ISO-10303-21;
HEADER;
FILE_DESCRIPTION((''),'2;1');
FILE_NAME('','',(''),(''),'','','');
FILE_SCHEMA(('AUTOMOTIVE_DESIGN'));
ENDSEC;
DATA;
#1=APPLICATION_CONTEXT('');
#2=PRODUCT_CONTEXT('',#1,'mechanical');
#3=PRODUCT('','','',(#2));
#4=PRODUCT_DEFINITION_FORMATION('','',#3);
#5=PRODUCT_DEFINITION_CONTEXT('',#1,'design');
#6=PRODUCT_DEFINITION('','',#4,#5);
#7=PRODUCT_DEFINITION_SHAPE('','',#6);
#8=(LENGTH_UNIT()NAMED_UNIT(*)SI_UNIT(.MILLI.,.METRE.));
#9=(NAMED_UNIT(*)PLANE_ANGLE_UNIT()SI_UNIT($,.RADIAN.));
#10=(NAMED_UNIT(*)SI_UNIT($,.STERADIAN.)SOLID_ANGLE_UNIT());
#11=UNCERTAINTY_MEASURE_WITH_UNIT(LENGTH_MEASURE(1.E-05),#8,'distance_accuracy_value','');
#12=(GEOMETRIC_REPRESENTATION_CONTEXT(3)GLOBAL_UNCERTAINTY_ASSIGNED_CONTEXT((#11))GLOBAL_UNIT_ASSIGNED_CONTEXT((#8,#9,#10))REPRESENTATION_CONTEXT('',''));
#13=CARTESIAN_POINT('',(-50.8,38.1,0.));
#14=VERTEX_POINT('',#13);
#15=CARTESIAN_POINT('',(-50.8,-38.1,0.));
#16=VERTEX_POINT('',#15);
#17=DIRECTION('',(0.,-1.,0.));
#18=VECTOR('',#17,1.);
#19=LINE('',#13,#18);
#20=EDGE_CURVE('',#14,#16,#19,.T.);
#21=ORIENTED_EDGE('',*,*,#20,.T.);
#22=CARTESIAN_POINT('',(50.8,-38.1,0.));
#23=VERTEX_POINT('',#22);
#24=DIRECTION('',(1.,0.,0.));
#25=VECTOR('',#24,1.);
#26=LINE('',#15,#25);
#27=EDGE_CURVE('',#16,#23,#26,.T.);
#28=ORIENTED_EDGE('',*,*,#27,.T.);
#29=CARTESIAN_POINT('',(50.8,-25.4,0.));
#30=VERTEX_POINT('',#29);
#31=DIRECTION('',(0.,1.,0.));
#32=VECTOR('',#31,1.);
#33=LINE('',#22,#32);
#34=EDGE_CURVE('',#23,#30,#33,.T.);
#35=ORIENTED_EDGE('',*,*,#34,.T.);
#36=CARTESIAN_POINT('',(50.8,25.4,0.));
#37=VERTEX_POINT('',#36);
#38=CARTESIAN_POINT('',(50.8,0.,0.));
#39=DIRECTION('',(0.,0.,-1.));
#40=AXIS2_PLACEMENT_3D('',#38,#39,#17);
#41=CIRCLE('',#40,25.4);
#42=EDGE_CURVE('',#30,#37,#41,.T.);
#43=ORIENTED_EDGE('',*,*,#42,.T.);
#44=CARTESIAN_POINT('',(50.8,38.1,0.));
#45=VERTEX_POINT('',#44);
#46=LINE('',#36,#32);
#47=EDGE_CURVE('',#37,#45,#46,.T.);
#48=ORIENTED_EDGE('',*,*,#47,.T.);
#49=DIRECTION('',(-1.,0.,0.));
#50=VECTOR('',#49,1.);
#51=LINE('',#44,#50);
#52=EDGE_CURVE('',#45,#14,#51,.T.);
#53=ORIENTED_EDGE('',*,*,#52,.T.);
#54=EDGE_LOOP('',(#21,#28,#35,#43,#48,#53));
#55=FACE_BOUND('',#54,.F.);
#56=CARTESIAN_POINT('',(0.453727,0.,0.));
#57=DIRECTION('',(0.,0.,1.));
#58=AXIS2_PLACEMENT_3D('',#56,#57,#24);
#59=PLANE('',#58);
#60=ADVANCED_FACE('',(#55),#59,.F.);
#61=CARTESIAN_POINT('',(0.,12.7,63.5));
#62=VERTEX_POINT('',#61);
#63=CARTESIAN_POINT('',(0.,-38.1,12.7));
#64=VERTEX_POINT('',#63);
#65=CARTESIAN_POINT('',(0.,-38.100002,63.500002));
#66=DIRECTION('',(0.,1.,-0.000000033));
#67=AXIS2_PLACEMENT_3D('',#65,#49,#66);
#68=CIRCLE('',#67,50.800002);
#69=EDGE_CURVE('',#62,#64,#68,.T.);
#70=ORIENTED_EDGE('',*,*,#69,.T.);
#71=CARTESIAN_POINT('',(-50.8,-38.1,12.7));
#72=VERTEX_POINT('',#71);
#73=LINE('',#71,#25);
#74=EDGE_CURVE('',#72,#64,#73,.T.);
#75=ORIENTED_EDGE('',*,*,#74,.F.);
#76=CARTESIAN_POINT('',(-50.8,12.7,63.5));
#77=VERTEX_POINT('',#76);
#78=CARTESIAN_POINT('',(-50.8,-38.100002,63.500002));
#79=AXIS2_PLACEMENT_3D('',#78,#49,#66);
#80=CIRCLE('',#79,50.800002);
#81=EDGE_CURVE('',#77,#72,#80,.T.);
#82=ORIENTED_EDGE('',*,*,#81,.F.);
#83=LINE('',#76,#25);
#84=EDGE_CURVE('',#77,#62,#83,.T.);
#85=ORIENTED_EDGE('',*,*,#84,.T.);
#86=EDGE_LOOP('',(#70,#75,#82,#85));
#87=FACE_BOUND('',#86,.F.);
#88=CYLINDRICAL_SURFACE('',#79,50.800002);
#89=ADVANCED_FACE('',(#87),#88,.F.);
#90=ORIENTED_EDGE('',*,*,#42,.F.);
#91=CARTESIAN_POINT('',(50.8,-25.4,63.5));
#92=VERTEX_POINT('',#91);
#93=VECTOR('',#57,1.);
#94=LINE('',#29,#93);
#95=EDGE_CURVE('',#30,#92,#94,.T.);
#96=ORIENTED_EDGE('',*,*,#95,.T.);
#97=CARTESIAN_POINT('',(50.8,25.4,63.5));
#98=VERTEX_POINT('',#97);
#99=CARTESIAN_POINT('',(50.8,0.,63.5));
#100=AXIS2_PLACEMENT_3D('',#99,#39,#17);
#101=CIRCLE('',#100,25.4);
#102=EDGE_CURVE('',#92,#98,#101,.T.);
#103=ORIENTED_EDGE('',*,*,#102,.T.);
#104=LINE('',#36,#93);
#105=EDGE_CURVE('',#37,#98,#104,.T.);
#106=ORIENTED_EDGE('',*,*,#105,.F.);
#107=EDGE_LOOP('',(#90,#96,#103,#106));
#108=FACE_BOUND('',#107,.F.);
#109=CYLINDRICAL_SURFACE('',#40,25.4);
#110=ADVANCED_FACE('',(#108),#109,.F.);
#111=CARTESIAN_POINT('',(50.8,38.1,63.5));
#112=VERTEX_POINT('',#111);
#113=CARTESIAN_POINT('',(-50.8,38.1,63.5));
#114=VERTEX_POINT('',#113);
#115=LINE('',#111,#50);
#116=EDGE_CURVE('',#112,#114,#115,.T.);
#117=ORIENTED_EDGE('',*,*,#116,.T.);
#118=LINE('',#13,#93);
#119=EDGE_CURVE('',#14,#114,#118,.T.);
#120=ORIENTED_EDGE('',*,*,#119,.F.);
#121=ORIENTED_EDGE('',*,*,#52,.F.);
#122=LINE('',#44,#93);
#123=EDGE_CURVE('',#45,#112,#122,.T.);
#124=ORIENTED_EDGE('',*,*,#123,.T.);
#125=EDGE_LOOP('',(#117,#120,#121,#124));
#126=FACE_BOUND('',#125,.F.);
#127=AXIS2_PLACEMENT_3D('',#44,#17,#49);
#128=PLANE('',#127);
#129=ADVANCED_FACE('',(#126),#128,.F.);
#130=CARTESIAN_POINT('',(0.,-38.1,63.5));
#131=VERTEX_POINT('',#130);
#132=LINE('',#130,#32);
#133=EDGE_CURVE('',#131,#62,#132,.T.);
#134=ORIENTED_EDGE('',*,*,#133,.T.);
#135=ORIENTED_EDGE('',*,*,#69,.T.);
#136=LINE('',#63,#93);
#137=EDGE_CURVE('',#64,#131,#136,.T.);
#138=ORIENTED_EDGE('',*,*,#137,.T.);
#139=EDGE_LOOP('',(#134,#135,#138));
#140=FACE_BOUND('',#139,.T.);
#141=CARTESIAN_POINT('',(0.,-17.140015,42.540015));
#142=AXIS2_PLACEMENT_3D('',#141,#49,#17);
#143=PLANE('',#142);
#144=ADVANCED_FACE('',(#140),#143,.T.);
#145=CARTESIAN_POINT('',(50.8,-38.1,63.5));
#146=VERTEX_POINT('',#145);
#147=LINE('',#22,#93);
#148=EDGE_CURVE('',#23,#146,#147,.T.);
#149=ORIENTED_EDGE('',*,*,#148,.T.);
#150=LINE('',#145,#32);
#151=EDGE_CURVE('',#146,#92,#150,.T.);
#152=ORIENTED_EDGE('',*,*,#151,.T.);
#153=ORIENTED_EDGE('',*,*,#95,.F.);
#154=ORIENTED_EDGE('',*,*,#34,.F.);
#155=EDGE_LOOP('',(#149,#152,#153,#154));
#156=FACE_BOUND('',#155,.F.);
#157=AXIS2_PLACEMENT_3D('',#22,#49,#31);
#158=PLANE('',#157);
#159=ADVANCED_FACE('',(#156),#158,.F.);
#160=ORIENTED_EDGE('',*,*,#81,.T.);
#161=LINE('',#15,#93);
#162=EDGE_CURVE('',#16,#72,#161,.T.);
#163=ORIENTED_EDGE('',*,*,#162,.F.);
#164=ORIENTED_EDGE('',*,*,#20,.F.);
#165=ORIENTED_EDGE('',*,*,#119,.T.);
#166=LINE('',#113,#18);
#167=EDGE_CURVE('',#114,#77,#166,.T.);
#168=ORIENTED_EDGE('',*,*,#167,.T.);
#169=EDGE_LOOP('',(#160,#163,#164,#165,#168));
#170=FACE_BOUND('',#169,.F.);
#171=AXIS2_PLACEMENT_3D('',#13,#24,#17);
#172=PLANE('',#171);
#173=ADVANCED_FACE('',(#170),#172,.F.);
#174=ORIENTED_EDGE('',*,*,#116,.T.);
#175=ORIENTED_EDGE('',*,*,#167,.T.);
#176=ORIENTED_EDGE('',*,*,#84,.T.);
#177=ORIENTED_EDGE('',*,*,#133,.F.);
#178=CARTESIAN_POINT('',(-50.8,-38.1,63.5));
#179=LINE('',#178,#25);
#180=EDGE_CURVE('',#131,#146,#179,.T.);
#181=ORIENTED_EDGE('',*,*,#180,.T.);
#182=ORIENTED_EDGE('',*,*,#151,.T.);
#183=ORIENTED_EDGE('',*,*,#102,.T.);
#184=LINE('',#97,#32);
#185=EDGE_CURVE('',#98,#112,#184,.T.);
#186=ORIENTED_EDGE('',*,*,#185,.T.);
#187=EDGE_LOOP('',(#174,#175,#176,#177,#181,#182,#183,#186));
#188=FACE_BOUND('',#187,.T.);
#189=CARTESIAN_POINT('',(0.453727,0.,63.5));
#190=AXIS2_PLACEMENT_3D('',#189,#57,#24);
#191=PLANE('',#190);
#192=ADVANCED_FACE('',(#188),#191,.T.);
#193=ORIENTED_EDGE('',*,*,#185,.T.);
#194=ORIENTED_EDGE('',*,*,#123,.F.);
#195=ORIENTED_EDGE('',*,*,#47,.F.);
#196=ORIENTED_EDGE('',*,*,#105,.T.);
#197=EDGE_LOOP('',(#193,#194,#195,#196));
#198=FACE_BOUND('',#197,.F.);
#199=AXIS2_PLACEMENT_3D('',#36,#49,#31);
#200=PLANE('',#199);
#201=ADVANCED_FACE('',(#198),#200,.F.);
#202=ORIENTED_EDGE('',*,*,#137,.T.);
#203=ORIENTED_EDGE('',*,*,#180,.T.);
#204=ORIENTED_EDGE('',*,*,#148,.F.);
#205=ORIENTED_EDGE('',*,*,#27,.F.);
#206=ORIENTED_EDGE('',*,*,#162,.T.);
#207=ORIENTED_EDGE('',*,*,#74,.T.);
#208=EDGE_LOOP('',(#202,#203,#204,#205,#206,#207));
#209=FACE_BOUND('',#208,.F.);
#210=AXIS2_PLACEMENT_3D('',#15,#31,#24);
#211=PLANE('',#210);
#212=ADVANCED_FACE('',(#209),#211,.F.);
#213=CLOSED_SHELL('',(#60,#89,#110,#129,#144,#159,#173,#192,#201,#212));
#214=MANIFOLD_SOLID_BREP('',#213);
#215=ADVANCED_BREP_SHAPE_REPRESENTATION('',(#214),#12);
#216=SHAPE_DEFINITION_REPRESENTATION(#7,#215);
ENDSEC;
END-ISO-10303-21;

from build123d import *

# Parameters (mm, degrees)
F1_DEPTH = 63.5
F3_DEPTH = 50.8


with BuildPart() as f1:
    # F0 (on Top) → F1 (new body)
    with BuildSketch(Plane.XY):
        with BuildLine():
            Line((50.8, 25.4), (50.8, 38.1))
            Line((50.8, 38.1), (-50.8, 38.1))
            Line((-50.8, 38.1), (-50.8, -38.1))
            Line((-50.8, -38.1), (50.8, -38.1))
            Line((50.8, -38.1), (50.8, -25.4))
            ThreePointArc((50.8, -25.4), (25.4, 0), (50.8, 25.4))
        make_face()
    extrude(amount=F1_DEPTH)

    # F2 (on face) → F3 (cut)
    with BuildSketch(Plane(origin=(-50.8, 0, 0), x_dir=(0, -1, 0), z_dir=(-1, 0, 0))):
        with BuildLine():
            ThreePointArc((-12.7, 63.5), (2.178976, 27.578976), (38.1, 12.7))
            Line((38.1, 12.7), (38.1, 63.5))
            Line((38.1, 63.5), (-12.7, 63.5))
        make_face()
    extrude(amount=-F3_DEPTH, mode=Mode.SUBTRACT)


solid = f1.part
